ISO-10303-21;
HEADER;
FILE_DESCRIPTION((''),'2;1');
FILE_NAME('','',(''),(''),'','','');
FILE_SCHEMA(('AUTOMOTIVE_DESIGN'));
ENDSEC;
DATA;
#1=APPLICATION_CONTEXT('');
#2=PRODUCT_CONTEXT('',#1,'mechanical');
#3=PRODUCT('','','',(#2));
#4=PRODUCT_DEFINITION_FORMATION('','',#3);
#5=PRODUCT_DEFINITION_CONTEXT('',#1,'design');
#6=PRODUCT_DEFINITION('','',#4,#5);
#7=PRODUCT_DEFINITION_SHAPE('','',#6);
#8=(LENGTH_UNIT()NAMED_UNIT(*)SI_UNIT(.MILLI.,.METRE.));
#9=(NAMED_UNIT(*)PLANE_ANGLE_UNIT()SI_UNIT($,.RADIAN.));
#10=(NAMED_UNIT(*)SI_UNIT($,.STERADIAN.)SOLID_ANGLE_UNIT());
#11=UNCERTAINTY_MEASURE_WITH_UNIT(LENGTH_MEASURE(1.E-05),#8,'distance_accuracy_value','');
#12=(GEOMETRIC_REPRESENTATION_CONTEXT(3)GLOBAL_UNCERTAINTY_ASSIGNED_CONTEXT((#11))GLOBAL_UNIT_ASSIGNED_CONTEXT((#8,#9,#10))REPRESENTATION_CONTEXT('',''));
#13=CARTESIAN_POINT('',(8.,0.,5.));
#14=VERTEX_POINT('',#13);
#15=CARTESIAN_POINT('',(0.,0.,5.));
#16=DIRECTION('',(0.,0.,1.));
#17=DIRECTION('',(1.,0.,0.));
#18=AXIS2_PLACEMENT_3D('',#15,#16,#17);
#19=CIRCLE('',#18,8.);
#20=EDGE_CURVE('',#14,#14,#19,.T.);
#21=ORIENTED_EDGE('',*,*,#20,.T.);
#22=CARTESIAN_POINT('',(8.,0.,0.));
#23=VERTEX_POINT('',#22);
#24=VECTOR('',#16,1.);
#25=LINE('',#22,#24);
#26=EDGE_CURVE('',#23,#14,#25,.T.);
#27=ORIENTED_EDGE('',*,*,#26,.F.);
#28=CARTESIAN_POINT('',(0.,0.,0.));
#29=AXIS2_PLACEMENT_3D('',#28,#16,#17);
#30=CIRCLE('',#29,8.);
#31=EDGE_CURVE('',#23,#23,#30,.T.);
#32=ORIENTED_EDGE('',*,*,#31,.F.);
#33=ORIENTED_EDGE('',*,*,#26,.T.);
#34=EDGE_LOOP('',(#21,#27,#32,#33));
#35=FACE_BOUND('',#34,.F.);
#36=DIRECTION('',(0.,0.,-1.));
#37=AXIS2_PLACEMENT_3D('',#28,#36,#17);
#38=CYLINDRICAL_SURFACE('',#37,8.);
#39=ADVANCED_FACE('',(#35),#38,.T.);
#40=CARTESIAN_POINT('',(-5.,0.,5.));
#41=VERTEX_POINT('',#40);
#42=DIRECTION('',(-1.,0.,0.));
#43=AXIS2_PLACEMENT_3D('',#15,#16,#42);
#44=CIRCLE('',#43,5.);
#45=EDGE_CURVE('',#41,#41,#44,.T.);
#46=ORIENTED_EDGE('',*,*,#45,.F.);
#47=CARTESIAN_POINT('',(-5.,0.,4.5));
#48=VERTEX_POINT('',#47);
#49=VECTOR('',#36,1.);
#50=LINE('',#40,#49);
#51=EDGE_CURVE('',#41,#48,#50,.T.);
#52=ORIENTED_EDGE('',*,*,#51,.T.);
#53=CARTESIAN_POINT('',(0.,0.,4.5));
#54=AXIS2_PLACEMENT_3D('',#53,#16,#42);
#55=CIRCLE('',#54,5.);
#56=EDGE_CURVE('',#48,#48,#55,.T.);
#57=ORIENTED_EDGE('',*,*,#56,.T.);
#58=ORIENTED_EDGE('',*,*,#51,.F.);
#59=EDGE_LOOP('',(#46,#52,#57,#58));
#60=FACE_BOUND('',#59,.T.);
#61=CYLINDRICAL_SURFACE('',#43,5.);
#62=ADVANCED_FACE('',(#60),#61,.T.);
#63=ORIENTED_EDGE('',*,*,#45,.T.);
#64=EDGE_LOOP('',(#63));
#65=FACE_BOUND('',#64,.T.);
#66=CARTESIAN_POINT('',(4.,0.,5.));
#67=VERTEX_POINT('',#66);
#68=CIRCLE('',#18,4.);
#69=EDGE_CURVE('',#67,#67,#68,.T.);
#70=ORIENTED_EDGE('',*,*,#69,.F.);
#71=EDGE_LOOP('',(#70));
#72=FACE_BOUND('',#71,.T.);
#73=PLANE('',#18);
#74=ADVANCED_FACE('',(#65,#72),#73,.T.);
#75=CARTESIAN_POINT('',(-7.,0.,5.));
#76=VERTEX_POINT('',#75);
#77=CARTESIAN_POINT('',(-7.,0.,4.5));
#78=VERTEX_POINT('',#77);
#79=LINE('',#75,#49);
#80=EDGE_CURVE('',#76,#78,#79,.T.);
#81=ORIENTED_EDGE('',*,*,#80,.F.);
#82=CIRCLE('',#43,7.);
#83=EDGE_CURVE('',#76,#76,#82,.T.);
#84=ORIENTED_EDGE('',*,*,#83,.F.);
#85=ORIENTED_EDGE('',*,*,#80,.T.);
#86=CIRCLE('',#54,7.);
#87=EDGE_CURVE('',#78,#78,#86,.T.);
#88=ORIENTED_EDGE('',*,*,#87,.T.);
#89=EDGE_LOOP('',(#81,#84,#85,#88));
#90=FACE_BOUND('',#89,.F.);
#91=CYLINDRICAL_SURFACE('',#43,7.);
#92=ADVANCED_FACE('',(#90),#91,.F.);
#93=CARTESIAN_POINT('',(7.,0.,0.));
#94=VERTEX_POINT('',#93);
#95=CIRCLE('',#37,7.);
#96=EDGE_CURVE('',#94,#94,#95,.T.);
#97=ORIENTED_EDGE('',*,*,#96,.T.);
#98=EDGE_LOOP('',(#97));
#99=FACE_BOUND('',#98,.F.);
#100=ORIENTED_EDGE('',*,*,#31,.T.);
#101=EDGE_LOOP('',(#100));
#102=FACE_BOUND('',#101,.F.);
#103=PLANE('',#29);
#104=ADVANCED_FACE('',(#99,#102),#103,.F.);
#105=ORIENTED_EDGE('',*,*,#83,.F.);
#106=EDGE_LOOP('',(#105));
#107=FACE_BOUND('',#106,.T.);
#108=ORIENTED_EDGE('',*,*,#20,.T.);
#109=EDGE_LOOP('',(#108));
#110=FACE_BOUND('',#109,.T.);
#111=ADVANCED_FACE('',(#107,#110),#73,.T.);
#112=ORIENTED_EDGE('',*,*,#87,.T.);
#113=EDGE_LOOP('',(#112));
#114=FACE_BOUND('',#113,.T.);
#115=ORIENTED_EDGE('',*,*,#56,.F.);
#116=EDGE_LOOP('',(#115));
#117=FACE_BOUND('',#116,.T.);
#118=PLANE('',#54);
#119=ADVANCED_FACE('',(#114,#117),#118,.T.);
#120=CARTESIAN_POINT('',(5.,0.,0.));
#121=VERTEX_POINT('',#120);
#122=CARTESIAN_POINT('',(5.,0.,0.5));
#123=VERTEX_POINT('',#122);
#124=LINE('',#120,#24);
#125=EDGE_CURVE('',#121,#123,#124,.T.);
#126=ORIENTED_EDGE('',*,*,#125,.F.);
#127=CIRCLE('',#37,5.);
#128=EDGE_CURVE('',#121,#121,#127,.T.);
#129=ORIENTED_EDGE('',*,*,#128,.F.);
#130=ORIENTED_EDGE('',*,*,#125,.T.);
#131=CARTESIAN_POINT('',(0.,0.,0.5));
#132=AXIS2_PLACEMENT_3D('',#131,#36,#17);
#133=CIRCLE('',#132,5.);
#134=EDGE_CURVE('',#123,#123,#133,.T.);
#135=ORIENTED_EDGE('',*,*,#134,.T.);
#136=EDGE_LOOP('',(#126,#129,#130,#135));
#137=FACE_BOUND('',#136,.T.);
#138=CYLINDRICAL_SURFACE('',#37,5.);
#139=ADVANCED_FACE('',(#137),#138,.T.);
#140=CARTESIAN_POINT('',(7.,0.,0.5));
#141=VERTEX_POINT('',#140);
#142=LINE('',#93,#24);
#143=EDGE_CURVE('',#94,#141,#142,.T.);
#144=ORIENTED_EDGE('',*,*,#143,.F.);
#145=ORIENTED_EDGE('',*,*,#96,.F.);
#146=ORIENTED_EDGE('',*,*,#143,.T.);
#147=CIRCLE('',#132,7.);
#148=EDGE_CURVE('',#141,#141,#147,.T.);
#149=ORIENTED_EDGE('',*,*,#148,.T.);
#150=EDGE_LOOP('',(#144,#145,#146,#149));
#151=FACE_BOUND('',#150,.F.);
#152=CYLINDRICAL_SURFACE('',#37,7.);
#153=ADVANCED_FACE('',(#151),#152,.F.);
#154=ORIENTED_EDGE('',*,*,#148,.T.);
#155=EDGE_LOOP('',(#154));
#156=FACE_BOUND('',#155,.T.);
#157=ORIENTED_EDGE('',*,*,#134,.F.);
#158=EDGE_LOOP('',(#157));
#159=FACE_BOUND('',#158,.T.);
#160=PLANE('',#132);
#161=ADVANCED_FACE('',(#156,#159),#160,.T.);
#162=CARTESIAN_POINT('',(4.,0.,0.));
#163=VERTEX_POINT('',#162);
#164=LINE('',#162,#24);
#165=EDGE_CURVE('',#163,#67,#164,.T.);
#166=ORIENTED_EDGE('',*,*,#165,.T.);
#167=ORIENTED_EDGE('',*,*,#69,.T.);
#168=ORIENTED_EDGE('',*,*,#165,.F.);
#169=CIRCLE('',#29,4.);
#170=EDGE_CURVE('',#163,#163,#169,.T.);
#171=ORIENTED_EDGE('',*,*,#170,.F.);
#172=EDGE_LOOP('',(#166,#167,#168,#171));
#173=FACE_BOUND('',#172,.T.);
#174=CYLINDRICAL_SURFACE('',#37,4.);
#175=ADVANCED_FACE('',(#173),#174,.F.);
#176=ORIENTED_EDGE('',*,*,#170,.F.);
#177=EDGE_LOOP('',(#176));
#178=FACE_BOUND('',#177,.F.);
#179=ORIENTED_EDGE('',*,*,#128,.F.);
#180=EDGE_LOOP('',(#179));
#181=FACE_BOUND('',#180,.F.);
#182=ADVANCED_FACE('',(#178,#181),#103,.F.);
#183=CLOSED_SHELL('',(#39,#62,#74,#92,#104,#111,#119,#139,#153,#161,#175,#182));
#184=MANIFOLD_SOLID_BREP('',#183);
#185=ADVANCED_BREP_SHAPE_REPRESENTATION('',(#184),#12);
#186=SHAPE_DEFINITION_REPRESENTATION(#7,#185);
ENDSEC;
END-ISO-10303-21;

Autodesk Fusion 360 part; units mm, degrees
sketch "Sketch1" plane through (0, 0, 0) normal (0, 0, 1) x (1, 0, 0)
  circle A0 centre (0, 0) radius 8
  circle A1 centre (0, 0) radius 4
  dimension "d1" = 16
  dimension "d2" = 8
extrude "Extrude1" add sketch "Sketch1" along normal blind 5
sketch "Sketch2" plane through (0, 0, 5) normal (0, 0, 1) x (-1, 0, 0)
  circle A0 centre (0, 0) radius 4
  circle A1 centre (0, 0) radius 8
  circle A2 centre (0, 0) radius 7
  circle A3 centre (0, 0) radius 5
  dimension "d5" = -1
  dimension "d6" = 1
extrude "Extrude2" cut sketch "Sketch2" against normal blind 0.5 contours A2
sketch "Sketch3" plane through (0, 0, 0) normal (0, 0, -1) x (1, 0, 0)
  circle A0 centre (0, 0) radius 4
  circle A1 centre (0, 0) radius 8
  circle A2 centre (0, 0) radius 5
  circle A3 centre (0, 0) radius 7
extrude "Extrude3" cut sketch "Sketch3" against normal blind 0.5 contours A3
